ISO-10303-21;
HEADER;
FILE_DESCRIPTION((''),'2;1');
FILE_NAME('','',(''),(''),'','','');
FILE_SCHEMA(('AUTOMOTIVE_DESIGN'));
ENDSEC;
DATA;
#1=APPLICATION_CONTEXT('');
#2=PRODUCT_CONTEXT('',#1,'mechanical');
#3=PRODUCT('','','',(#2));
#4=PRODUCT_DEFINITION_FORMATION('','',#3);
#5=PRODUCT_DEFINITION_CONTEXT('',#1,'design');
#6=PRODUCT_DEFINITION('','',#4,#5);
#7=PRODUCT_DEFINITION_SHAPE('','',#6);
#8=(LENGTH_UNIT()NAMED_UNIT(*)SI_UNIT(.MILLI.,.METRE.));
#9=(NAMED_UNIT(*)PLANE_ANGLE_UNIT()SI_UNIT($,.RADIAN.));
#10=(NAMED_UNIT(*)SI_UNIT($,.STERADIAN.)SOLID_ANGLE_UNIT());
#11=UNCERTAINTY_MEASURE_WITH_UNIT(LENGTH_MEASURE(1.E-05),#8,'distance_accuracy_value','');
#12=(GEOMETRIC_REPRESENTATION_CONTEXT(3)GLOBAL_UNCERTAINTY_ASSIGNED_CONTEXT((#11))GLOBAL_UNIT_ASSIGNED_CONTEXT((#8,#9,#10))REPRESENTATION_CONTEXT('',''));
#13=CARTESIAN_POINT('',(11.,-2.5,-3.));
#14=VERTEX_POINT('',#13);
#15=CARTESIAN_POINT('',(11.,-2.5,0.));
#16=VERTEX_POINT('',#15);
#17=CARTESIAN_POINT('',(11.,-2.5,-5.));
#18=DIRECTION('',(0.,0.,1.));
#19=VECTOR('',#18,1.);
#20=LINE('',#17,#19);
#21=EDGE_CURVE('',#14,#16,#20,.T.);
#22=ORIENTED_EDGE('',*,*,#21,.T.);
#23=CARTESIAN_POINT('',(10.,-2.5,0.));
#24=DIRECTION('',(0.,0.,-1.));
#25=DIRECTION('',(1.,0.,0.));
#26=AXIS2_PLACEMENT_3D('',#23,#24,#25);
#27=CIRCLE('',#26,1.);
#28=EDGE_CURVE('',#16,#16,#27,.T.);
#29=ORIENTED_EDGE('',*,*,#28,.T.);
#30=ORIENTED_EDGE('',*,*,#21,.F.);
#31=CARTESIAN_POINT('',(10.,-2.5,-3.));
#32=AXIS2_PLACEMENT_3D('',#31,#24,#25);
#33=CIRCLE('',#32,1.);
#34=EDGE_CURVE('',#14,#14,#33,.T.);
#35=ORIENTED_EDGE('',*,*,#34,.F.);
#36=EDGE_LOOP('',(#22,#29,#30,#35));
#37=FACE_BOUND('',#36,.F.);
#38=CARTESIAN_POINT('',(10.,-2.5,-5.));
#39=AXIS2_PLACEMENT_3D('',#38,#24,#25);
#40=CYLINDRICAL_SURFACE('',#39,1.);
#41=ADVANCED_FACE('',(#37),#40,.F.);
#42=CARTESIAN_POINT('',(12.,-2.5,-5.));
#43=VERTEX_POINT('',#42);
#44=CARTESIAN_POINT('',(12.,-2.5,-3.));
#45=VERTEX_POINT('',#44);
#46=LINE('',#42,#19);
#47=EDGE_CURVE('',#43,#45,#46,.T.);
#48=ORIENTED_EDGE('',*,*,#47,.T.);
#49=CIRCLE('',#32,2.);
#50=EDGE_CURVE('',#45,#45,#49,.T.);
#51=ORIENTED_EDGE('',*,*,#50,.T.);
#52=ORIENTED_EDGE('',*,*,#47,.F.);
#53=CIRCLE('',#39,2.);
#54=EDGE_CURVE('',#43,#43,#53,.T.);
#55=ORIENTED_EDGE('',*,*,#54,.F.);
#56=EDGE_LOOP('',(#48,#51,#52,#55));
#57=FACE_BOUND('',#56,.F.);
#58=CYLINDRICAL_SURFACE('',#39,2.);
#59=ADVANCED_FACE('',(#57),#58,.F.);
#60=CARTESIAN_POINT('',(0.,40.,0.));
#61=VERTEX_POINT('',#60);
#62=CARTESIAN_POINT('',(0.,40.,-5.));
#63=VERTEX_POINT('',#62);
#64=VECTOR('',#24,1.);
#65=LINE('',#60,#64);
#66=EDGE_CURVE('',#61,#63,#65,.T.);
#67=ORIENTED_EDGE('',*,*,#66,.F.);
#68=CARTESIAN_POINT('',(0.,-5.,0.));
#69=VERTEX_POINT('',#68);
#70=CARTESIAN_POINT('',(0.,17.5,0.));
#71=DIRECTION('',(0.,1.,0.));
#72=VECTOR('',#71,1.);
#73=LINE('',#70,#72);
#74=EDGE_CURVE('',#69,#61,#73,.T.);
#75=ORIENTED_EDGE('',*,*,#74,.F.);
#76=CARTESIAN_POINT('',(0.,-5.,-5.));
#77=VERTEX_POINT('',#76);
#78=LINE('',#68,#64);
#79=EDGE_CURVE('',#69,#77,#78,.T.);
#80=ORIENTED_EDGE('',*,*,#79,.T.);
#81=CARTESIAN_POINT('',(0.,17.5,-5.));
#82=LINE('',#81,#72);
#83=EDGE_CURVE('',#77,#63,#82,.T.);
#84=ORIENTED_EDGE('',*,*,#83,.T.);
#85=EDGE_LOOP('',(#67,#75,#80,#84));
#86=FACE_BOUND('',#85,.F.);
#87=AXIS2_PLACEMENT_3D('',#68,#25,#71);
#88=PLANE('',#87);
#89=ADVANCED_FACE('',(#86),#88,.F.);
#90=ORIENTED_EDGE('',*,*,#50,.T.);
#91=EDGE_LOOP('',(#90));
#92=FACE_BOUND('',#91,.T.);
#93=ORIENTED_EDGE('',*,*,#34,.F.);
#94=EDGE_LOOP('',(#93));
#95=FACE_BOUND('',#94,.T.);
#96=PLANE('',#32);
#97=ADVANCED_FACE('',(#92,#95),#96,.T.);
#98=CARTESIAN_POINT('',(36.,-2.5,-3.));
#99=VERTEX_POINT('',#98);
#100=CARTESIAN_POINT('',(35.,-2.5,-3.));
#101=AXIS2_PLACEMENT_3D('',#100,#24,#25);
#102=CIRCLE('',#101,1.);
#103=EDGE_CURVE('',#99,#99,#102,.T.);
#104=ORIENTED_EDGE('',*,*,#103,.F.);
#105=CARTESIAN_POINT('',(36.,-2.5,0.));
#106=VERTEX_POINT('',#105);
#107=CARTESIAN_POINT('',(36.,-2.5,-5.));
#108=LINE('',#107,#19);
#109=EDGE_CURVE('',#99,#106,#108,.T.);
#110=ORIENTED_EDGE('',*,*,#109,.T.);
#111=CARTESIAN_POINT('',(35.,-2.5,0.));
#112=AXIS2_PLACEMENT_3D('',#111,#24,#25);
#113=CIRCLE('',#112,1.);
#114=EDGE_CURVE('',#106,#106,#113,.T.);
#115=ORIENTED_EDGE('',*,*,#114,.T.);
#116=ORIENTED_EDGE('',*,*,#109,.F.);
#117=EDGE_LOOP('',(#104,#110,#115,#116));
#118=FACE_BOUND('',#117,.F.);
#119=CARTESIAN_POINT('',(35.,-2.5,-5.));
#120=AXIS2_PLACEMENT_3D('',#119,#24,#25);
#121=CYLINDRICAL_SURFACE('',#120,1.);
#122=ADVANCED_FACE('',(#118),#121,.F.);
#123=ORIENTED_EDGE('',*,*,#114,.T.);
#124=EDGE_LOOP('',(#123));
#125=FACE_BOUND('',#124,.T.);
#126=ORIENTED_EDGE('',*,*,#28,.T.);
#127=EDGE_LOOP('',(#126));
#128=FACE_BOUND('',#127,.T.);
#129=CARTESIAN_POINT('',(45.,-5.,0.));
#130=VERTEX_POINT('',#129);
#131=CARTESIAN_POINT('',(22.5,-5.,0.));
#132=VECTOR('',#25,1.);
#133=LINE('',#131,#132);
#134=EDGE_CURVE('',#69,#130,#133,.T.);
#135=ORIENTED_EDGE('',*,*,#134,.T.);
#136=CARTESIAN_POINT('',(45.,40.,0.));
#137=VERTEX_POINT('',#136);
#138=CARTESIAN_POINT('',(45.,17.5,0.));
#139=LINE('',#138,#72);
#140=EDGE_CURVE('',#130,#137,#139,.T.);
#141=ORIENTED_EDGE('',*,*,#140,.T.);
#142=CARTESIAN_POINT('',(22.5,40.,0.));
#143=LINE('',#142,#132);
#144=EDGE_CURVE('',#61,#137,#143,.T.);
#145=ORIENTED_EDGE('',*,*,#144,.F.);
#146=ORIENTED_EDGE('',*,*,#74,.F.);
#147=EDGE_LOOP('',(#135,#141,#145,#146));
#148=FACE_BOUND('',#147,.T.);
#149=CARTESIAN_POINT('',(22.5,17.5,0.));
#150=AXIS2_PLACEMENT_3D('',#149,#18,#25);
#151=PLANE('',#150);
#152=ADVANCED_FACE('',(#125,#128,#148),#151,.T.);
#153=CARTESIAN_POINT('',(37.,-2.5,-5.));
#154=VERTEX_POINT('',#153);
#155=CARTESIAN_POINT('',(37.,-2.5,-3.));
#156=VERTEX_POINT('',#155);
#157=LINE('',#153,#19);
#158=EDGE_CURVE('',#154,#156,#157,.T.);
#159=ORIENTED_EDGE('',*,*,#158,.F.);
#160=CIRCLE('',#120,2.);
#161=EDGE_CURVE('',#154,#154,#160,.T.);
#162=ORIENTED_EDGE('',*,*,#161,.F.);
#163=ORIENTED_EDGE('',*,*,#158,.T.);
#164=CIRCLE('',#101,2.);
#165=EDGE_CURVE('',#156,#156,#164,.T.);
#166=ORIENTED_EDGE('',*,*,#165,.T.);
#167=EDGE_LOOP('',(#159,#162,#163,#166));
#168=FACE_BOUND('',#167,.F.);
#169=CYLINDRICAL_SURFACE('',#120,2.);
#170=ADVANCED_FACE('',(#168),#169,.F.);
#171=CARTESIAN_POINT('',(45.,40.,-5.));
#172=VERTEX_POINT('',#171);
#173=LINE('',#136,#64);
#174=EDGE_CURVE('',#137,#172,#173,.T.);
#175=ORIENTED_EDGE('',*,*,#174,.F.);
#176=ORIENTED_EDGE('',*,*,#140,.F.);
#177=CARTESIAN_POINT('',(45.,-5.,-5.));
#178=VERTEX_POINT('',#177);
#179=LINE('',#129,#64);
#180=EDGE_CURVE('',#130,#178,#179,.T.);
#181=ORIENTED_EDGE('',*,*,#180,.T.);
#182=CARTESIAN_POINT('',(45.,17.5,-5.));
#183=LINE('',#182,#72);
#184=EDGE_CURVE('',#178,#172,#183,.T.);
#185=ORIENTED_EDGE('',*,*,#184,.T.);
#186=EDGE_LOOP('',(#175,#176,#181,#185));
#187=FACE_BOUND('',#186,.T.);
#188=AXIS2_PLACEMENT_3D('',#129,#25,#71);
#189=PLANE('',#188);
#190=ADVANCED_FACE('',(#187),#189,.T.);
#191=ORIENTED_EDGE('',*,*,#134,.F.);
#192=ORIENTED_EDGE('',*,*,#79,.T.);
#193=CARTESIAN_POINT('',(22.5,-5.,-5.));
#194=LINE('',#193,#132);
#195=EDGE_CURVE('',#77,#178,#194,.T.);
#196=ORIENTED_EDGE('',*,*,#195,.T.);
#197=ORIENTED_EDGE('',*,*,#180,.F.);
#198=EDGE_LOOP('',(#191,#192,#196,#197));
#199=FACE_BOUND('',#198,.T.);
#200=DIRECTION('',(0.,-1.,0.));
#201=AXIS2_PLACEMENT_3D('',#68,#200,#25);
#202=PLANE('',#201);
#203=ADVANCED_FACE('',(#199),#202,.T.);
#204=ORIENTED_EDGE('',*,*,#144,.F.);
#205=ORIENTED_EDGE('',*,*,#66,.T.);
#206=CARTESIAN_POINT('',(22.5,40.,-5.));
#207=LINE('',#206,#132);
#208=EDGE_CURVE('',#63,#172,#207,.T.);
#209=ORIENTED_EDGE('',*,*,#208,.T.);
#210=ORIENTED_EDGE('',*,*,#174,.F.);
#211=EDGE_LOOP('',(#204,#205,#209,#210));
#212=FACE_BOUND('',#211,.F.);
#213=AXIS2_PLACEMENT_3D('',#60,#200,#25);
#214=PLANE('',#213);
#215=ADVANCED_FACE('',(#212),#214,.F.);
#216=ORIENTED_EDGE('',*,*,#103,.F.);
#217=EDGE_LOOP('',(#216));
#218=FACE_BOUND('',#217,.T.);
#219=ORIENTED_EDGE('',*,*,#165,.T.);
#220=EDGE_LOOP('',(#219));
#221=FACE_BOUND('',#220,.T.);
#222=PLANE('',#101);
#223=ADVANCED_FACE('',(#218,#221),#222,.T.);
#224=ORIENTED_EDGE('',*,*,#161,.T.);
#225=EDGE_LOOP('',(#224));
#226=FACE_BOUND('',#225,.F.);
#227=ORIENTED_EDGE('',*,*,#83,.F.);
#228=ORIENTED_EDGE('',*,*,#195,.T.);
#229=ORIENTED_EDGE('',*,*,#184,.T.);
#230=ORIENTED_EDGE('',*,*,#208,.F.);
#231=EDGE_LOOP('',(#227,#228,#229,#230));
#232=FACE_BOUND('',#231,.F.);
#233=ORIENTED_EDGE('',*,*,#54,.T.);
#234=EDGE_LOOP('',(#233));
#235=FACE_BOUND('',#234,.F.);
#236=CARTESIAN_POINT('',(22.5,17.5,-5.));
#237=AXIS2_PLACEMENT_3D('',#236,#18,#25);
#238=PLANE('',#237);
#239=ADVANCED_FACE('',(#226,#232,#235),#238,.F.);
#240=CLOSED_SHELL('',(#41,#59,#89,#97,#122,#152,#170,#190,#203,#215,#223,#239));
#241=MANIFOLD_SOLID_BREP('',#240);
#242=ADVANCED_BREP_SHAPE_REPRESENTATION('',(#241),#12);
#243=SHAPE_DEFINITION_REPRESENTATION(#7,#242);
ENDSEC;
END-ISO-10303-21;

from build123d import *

# Parameters (mm, degrees)
SKETCH010_W     = 45
SKETCH010_H     = 45
PAD002_DEPTH    = 5
SKETCH011_R     = 1
POCKET008_DEPTH = 5
SKETCH012_R     = 2
POCKET009_DEPTH = 2


with BuildPart() as part:
    # Sketch010 → Pad002 (new body)
    with BuildSketch(Plane.XY):
        with Locations((22.5, 17.5)):
            Rectangle(SKETCH010_W, SKETCH010_H)
    extrude(amount=-PAD002_DEPTH)

    # Sketch011 (on Face6 of Pad002) → Pocket008 (cut)
    with BuildSketch(Plane(origin=(0, 0, -5), x_dir=(1, 0, 0), z_dir=(0, 0, -1))):
        with Locations((10, 2.5)):
            Circle(SKETCH011_R)
        with Locations((35, 2.5)):
            Circle(SKETCH011_R)
    extrude(amount=-POCKET008_DEPTH, mode=Mode.SUBTRACT)

    # Sketch012 (on Face5 of Pocket008) → Pocket009 (cut)
    with BuildSketch(Plane(origin=(0, 0, -5), x_dir=(1, 0, 0), z_dir=(0, 0, -1))):
        with Locations((10, 2.5)):
            Circle(SKETCH012_R)
        with Locations((35, 2.5)):
            Circle(SKETCH012_R)
    extrude(amount=-POCKET009_DEPTH, mode=Mode.SUBTRACT)


solid = part.part
